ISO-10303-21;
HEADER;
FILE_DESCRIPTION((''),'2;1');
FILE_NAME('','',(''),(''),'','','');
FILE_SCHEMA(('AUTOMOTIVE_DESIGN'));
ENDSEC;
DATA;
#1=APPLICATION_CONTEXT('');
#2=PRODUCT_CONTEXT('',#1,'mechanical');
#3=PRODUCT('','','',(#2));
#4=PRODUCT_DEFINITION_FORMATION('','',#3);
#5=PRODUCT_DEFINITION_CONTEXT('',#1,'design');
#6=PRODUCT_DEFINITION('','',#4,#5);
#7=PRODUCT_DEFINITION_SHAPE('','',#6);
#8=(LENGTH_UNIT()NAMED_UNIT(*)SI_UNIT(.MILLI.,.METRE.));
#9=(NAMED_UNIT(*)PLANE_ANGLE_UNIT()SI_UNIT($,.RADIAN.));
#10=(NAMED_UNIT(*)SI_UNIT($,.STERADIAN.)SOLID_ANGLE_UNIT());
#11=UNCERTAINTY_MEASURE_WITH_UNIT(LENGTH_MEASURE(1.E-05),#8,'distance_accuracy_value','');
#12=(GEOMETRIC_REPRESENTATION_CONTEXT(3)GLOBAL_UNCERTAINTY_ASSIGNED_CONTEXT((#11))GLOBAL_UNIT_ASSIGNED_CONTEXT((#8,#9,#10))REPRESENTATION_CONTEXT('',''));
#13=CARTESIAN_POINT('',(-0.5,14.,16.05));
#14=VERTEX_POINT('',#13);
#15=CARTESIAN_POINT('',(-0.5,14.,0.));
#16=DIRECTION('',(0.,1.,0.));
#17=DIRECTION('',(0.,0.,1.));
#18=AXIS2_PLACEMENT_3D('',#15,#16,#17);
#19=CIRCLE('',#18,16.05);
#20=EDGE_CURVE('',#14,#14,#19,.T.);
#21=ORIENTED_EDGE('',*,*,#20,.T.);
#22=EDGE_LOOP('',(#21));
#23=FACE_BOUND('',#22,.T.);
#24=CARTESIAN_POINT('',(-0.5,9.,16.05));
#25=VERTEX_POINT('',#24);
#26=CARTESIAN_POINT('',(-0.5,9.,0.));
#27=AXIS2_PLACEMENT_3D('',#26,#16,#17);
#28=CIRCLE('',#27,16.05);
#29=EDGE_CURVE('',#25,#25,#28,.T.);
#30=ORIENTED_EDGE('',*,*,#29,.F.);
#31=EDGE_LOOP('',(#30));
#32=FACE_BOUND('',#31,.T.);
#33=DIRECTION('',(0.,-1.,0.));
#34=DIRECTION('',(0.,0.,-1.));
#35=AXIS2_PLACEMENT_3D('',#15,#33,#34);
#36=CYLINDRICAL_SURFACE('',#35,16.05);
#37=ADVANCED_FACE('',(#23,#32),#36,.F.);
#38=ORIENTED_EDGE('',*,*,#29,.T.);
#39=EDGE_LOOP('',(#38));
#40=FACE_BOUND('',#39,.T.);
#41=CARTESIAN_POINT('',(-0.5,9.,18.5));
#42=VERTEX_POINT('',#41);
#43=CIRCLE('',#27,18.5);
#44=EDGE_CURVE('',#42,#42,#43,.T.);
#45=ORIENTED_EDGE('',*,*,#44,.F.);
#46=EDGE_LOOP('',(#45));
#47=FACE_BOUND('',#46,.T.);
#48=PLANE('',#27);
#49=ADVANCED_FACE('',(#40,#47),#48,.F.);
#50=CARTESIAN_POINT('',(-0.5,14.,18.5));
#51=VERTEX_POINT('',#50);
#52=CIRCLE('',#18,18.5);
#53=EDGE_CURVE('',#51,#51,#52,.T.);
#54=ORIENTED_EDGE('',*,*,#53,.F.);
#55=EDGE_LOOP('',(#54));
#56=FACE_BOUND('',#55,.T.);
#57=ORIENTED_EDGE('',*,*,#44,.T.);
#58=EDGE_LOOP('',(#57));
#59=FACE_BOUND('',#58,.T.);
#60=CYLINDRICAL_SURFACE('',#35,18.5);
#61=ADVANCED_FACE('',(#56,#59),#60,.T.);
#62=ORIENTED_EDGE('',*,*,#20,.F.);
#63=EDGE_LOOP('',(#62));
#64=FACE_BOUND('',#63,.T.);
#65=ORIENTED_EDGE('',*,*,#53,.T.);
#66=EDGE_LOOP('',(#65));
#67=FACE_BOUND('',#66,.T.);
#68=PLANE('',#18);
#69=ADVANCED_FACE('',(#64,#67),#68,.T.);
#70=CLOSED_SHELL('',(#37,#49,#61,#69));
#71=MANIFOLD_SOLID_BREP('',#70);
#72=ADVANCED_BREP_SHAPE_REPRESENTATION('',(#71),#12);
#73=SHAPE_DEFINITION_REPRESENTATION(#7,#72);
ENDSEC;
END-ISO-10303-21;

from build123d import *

# Parameters (mm, degrees)
SKETCH2_R           = 18.5
SKETCH2_R_2         = 16.05
BOSS_EXTRUDE1_DEPTH = 5


with BuildPart() as part:
    # Sketch2 → Boss-Extrude1 (new body)
    with BuildSketch(Plane(origin=(0, 9, 0), x_dir=(1, 0, 0), z_dir=(0, 1, 0))):
        with Locations(Location((-0.5, 0, 0), (0, 0, 270))):
            Circle(SKETCH2_R)
        with Locations(Location((-0.5, 0, 0), (0, 0, 270))):
            Circle(SKETCH2_R_2, mode=Mode.SUBTRACT)
    extrude(amount=BOSS_EXTRUDE1_DEPTH)


solid = part.part
